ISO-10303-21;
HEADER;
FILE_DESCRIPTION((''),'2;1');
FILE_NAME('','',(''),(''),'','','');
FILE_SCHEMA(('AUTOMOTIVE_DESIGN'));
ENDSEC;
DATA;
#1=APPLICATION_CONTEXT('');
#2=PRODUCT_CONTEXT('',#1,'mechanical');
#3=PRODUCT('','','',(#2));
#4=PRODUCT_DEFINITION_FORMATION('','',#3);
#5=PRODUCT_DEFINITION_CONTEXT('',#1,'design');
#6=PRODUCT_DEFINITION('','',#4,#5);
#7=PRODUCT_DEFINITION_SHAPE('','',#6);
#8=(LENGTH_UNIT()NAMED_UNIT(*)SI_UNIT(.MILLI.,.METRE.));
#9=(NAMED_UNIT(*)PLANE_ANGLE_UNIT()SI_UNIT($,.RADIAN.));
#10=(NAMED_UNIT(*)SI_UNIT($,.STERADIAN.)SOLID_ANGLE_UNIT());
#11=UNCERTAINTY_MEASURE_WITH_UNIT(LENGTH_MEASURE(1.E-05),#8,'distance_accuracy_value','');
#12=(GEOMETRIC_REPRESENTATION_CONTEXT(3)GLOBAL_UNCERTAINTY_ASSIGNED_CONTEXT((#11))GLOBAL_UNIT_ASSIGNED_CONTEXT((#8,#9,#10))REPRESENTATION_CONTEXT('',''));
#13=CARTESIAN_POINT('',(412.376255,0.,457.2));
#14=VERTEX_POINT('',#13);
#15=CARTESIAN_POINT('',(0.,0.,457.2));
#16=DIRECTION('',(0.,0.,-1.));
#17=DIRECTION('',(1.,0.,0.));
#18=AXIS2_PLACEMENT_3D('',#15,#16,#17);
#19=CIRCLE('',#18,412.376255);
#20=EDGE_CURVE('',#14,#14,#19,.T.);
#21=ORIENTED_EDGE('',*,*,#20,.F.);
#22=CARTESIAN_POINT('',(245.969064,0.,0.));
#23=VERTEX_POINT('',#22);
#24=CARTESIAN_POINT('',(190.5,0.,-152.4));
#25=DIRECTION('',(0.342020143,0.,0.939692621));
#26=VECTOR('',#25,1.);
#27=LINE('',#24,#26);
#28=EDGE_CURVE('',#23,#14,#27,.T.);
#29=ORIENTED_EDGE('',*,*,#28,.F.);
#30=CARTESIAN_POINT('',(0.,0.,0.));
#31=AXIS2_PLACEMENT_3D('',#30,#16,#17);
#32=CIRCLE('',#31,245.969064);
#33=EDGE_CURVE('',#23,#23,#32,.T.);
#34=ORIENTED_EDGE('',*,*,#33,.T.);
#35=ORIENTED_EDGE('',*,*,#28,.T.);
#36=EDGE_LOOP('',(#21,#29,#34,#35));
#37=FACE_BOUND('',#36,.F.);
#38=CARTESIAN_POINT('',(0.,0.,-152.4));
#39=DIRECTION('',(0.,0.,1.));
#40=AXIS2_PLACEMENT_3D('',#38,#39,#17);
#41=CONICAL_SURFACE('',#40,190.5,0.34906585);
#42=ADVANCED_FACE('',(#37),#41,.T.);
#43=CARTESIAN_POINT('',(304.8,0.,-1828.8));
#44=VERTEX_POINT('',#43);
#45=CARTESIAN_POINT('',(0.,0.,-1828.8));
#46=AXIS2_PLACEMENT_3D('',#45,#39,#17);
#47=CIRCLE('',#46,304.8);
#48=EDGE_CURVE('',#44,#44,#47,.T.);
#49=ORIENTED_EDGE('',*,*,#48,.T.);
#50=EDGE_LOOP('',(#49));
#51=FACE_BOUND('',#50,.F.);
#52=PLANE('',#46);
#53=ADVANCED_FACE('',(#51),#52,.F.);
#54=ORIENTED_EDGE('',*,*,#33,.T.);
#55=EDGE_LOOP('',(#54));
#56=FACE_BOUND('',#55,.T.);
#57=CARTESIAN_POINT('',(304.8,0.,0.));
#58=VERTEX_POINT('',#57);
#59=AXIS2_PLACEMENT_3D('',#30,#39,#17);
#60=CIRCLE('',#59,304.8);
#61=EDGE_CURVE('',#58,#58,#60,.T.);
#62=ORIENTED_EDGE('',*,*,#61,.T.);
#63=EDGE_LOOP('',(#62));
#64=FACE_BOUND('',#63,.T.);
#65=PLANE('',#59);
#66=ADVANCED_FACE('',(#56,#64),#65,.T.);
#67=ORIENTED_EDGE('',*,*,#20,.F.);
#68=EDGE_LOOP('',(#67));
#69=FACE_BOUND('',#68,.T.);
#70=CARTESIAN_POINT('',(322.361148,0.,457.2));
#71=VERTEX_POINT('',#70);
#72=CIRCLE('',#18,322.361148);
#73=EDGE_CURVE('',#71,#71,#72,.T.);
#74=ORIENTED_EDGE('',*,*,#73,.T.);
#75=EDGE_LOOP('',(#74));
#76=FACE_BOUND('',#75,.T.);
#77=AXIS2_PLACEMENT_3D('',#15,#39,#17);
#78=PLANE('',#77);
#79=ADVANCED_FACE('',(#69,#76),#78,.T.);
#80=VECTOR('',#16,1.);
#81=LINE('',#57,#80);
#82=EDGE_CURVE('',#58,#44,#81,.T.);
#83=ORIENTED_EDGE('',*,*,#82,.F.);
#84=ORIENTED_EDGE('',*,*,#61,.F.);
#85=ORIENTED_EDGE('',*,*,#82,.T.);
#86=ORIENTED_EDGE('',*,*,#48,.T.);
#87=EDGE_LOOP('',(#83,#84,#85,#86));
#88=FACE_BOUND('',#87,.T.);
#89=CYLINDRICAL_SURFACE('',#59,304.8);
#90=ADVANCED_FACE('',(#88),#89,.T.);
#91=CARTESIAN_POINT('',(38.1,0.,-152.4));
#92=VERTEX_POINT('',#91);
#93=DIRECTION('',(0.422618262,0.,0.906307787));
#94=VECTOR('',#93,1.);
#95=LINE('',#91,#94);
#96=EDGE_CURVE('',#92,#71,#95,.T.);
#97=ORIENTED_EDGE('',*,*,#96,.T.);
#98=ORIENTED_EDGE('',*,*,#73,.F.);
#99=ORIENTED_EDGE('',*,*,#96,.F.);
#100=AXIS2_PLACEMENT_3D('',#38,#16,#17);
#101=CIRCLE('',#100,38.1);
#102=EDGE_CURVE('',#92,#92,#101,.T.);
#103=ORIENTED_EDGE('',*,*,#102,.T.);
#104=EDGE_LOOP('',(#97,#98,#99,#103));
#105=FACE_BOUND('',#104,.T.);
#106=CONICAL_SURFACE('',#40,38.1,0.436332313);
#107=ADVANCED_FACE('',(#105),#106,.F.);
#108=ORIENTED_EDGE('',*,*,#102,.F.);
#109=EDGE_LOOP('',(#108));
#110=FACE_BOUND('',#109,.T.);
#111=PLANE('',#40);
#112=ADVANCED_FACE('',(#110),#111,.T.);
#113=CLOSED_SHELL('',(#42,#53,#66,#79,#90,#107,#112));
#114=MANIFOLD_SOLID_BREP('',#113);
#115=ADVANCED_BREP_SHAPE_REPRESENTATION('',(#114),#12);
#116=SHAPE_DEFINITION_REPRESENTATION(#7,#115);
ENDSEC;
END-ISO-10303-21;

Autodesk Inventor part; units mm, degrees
ref_plane "YZ Plane" through (0, 0, 0) normal (1, 0, 0) x (0, 1, 0)
ref_plane "XZ Plane" through (0, 0, 0) normal (0, 1, 0) x (-1, 0, 0)
sketch "Sketch1" plane through (0, 0, 0) normal (0, 0, 1) x (1, 0, 0)
  circle A0 centre (0, 0) radius 304.8
  dimension "d0" = 609.6
extrude "Extrusion1" add sketch "Sketch1" against normal blind 1828.8
ref_plane "Work Plane1" through (0, 0, -152.4) normal (0, 0, 1) x (1, 0, 0)
sketch "Sketch2" plane through (0, 0, -152.4) normal (0, 0, 1) x (1, 0, 0)
  circle A0 centre (0, 0) radius 190.5
  dimension "d4" = 381
extrude "Extrusion2" add sketch "Sketch2" along normal blind 609.6 draft 20
sketch "Sketch4" plane through (0, 0, -152.4) normal (0, 0, 1) x (1, 0, 0)
  circle A0 centre (0, 0) radius 38.1
  dimension "d7" = 76.2
extrude "Extrusion3" cut sketch "Sketch4" along normal blind 609.6 draft 25
properties part number "sep_motors"
